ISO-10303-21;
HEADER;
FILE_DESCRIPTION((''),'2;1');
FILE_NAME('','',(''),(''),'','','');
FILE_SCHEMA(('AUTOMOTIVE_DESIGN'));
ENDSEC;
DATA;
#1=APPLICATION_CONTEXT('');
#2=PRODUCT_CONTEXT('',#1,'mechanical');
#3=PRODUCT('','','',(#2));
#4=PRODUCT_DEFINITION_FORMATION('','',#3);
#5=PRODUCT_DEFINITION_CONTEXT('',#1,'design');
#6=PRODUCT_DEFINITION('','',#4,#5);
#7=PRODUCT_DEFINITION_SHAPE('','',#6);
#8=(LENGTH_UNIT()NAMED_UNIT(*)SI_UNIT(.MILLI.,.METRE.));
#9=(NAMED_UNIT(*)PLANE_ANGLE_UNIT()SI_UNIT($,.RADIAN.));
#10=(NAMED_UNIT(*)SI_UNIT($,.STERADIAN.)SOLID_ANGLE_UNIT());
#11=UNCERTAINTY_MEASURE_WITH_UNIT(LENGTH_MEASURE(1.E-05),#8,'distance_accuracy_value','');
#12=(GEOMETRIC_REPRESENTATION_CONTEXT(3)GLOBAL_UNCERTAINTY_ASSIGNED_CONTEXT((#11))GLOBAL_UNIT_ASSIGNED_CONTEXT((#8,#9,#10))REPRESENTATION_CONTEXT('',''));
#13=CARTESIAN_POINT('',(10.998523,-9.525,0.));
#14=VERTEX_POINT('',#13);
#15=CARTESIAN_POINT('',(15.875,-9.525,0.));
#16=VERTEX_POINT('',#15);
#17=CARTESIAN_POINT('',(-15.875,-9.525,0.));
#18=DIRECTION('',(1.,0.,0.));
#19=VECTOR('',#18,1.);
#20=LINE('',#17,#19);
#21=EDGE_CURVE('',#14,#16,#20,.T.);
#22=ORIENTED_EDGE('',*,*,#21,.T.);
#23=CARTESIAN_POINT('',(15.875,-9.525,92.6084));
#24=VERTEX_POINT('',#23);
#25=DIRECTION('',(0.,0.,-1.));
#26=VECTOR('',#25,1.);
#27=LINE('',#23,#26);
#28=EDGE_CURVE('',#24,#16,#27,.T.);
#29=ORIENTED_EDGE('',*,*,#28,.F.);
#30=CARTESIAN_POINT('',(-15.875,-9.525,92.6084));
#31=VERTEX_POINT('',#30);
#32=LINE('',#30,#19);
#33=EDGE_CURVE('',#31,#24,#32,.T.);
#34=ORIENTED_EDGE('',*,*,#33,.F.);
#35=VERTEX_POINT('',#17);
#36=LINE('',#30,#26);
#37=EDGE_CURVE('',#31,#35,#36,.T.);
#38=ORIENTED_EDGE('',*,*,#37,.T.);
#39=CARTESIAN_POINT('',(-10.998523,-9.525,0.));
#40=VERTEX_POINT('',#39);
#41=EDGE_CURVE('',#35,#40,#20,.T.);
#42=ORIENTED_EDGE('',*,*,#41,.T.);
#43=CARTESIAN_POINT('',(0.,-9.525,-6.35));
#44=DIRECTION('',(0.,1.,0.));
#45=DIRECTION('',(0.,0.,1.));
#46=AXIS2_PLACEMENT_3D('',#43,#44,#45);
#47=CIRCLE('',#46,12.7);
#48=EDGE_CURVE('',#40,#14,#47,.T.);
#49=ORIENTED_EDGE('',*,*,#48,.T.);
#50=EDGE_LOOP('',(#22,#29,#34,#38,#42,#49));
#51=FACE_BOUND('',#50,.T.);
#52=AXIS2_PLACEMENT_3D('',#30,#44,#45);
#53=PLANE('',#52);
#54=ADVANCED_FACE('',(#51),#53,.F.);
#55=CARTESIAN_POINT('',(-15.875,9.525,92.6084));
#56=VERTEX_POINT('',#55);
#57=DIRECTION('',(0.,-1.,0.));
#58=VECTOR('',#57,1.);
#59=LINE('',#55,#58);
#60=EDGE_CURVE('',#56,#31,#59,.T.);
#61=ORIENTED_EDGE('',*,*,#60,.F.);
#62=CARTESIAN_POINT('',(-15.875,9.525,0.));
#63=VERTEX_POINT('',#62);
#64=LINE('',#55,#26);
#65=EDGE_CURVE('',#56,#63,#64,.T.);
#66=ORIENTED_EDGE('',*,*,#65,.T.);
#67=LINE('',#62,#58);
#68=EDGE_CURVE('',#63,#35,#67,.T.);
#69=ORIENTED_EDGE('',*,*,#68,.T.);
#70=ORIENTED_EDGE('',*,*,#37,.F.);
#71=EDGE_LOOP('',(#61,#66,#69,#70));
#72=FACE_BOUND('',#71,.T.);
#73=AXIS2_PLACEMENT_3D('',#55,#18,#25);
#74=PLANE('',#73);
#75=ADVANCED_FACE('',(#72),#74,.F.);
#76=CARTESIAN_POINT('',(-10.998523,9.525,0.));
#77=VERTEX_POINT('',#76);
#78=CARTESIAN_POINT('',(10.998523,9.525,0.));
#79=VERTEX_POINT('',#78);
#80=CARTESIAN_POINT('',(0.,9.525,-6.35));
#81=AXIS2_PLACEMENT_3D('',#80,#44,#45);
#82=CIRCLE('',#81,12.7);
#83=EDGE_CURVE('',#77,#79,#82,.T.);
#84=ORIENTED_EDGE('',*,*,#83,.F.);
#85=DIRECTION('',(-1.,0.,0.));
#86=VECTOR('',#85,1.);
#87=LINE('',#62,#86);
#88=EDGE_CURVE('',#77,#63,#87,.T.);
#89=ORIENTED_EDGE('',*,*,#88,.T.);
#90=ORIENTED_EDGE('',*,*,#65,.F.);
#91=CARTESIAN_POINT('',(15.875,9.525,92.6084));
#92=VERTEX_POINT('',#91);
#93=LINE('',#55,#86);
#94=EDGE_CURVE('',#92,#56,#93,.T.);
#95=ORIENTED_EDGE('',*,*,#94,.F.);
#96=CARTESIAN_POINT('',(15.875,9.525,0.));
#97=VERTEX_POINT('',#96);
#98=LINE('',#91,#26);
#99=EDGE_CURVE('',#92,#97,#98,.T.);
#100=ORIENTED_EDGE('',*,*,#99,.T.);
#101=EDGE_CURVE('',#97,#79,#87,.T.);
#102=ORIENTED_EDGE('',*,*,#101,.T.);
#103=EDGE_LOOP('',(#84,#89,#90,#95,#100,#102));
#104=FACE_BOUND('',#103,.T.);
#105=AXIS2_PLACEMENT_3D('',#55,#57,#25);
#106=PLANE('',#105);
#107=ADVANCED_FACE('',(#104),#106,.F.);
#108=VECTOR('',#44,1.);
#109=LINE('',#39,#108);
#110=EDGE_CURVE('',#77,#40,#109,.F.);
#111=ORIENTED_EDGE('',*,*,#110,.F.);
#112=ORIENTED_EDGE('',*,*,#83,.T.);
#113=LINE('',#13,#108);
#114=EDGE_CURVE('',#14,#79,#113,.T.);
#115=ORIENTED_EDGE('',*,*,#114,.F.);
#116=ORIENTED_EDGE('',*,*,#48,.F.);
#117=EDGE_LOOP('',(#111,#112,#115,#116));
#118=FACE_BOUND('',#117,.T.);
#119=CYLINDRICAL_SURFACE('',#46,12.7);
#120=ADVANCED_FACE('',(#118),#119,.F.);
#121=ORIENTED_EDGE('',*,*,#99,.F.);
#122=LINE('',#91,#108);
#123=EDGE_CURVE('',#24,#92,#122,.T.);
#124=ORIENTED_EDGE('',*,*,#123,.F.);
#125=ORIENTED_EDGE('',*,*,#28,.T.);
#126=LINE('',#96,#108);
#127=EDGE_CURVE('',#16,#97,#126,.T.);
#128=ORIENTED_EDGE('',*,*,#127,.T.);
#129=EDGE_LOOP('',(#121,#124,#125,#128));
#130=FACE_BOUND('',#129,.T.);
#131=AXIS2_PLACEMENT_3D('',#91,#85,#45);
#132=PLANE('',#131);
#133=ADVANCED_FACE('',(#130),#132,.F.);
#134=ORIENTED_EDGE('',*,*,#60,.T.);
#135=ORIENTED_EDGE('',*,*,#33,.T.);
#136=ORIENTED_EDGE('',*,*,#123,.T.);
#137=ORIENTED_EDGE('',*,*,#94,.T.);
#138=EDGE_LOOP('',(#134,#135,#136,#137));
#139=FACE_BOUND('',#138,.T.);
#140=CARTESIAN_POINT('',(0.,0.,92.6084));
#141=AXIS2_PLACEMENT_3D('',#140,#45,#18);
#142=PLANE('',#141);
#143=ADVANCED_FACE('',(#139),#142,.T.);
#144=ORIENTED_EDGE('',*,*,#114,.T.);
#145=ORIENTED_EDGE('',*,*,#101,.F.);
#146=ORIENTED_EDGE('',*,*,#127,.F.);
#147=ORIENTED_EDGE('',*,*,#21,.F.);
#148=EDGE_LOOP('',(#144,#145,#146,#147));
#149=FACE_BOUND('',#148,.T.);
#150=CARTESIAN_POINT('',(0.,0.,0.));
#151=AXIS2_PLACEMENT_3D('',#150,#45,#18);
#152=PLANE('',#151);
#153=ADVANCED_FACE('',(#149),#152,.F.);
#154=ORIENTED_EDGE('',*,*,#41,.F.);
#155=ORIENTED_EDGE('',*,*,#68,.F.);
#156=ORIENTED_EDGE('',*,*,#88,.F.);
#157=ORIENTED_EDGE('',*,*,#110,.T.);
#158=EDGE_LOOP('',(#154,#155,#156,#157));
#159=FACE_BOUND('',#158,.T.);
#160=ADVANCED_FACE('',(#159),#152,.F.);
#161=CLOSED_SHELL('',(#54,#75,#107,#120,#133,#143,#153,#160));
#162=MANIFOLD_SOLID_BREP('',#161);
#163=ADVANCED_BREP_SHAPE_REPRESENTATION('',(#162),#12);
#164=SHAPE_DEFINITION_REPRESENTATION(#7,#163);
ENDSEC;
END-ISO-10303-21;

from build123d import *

# Parameters (mm, degrees)
SKETCH1_W           = 31.75
SKETCH1_H           = 19.05
BOSS_EXTRUDE1_DEPTH = 92.6084
SKETCH2_R           = 12.7
CUT_EXTRUDE1_DEPTH  = 96.870922993


with BuildPart() as part:
    # Sketch1 → Boss-Extrude1 (new body)
    with BuildSketch(Plane.XY):
        Rectangle(SKETCH1_W, SKETCH1_H)
    extrude(amount=BOSS_EXTRUDE1_DEPTH)

    # Sketch2 → Cut-Extrude1 (cut, through all)
    with BuildSketch(Plane(origin=(0, 9.525, 0), x_dir=(1, 0, 0), z_dir=(0, 1, 0))):
        with Locations((0, 6.35)):
            Circle(SKETCH2_R)
    extrude(amount=-CUT_EXTRUDE1_DEPTH, mode=Mode.SUBTRACT)


solid = part.part
